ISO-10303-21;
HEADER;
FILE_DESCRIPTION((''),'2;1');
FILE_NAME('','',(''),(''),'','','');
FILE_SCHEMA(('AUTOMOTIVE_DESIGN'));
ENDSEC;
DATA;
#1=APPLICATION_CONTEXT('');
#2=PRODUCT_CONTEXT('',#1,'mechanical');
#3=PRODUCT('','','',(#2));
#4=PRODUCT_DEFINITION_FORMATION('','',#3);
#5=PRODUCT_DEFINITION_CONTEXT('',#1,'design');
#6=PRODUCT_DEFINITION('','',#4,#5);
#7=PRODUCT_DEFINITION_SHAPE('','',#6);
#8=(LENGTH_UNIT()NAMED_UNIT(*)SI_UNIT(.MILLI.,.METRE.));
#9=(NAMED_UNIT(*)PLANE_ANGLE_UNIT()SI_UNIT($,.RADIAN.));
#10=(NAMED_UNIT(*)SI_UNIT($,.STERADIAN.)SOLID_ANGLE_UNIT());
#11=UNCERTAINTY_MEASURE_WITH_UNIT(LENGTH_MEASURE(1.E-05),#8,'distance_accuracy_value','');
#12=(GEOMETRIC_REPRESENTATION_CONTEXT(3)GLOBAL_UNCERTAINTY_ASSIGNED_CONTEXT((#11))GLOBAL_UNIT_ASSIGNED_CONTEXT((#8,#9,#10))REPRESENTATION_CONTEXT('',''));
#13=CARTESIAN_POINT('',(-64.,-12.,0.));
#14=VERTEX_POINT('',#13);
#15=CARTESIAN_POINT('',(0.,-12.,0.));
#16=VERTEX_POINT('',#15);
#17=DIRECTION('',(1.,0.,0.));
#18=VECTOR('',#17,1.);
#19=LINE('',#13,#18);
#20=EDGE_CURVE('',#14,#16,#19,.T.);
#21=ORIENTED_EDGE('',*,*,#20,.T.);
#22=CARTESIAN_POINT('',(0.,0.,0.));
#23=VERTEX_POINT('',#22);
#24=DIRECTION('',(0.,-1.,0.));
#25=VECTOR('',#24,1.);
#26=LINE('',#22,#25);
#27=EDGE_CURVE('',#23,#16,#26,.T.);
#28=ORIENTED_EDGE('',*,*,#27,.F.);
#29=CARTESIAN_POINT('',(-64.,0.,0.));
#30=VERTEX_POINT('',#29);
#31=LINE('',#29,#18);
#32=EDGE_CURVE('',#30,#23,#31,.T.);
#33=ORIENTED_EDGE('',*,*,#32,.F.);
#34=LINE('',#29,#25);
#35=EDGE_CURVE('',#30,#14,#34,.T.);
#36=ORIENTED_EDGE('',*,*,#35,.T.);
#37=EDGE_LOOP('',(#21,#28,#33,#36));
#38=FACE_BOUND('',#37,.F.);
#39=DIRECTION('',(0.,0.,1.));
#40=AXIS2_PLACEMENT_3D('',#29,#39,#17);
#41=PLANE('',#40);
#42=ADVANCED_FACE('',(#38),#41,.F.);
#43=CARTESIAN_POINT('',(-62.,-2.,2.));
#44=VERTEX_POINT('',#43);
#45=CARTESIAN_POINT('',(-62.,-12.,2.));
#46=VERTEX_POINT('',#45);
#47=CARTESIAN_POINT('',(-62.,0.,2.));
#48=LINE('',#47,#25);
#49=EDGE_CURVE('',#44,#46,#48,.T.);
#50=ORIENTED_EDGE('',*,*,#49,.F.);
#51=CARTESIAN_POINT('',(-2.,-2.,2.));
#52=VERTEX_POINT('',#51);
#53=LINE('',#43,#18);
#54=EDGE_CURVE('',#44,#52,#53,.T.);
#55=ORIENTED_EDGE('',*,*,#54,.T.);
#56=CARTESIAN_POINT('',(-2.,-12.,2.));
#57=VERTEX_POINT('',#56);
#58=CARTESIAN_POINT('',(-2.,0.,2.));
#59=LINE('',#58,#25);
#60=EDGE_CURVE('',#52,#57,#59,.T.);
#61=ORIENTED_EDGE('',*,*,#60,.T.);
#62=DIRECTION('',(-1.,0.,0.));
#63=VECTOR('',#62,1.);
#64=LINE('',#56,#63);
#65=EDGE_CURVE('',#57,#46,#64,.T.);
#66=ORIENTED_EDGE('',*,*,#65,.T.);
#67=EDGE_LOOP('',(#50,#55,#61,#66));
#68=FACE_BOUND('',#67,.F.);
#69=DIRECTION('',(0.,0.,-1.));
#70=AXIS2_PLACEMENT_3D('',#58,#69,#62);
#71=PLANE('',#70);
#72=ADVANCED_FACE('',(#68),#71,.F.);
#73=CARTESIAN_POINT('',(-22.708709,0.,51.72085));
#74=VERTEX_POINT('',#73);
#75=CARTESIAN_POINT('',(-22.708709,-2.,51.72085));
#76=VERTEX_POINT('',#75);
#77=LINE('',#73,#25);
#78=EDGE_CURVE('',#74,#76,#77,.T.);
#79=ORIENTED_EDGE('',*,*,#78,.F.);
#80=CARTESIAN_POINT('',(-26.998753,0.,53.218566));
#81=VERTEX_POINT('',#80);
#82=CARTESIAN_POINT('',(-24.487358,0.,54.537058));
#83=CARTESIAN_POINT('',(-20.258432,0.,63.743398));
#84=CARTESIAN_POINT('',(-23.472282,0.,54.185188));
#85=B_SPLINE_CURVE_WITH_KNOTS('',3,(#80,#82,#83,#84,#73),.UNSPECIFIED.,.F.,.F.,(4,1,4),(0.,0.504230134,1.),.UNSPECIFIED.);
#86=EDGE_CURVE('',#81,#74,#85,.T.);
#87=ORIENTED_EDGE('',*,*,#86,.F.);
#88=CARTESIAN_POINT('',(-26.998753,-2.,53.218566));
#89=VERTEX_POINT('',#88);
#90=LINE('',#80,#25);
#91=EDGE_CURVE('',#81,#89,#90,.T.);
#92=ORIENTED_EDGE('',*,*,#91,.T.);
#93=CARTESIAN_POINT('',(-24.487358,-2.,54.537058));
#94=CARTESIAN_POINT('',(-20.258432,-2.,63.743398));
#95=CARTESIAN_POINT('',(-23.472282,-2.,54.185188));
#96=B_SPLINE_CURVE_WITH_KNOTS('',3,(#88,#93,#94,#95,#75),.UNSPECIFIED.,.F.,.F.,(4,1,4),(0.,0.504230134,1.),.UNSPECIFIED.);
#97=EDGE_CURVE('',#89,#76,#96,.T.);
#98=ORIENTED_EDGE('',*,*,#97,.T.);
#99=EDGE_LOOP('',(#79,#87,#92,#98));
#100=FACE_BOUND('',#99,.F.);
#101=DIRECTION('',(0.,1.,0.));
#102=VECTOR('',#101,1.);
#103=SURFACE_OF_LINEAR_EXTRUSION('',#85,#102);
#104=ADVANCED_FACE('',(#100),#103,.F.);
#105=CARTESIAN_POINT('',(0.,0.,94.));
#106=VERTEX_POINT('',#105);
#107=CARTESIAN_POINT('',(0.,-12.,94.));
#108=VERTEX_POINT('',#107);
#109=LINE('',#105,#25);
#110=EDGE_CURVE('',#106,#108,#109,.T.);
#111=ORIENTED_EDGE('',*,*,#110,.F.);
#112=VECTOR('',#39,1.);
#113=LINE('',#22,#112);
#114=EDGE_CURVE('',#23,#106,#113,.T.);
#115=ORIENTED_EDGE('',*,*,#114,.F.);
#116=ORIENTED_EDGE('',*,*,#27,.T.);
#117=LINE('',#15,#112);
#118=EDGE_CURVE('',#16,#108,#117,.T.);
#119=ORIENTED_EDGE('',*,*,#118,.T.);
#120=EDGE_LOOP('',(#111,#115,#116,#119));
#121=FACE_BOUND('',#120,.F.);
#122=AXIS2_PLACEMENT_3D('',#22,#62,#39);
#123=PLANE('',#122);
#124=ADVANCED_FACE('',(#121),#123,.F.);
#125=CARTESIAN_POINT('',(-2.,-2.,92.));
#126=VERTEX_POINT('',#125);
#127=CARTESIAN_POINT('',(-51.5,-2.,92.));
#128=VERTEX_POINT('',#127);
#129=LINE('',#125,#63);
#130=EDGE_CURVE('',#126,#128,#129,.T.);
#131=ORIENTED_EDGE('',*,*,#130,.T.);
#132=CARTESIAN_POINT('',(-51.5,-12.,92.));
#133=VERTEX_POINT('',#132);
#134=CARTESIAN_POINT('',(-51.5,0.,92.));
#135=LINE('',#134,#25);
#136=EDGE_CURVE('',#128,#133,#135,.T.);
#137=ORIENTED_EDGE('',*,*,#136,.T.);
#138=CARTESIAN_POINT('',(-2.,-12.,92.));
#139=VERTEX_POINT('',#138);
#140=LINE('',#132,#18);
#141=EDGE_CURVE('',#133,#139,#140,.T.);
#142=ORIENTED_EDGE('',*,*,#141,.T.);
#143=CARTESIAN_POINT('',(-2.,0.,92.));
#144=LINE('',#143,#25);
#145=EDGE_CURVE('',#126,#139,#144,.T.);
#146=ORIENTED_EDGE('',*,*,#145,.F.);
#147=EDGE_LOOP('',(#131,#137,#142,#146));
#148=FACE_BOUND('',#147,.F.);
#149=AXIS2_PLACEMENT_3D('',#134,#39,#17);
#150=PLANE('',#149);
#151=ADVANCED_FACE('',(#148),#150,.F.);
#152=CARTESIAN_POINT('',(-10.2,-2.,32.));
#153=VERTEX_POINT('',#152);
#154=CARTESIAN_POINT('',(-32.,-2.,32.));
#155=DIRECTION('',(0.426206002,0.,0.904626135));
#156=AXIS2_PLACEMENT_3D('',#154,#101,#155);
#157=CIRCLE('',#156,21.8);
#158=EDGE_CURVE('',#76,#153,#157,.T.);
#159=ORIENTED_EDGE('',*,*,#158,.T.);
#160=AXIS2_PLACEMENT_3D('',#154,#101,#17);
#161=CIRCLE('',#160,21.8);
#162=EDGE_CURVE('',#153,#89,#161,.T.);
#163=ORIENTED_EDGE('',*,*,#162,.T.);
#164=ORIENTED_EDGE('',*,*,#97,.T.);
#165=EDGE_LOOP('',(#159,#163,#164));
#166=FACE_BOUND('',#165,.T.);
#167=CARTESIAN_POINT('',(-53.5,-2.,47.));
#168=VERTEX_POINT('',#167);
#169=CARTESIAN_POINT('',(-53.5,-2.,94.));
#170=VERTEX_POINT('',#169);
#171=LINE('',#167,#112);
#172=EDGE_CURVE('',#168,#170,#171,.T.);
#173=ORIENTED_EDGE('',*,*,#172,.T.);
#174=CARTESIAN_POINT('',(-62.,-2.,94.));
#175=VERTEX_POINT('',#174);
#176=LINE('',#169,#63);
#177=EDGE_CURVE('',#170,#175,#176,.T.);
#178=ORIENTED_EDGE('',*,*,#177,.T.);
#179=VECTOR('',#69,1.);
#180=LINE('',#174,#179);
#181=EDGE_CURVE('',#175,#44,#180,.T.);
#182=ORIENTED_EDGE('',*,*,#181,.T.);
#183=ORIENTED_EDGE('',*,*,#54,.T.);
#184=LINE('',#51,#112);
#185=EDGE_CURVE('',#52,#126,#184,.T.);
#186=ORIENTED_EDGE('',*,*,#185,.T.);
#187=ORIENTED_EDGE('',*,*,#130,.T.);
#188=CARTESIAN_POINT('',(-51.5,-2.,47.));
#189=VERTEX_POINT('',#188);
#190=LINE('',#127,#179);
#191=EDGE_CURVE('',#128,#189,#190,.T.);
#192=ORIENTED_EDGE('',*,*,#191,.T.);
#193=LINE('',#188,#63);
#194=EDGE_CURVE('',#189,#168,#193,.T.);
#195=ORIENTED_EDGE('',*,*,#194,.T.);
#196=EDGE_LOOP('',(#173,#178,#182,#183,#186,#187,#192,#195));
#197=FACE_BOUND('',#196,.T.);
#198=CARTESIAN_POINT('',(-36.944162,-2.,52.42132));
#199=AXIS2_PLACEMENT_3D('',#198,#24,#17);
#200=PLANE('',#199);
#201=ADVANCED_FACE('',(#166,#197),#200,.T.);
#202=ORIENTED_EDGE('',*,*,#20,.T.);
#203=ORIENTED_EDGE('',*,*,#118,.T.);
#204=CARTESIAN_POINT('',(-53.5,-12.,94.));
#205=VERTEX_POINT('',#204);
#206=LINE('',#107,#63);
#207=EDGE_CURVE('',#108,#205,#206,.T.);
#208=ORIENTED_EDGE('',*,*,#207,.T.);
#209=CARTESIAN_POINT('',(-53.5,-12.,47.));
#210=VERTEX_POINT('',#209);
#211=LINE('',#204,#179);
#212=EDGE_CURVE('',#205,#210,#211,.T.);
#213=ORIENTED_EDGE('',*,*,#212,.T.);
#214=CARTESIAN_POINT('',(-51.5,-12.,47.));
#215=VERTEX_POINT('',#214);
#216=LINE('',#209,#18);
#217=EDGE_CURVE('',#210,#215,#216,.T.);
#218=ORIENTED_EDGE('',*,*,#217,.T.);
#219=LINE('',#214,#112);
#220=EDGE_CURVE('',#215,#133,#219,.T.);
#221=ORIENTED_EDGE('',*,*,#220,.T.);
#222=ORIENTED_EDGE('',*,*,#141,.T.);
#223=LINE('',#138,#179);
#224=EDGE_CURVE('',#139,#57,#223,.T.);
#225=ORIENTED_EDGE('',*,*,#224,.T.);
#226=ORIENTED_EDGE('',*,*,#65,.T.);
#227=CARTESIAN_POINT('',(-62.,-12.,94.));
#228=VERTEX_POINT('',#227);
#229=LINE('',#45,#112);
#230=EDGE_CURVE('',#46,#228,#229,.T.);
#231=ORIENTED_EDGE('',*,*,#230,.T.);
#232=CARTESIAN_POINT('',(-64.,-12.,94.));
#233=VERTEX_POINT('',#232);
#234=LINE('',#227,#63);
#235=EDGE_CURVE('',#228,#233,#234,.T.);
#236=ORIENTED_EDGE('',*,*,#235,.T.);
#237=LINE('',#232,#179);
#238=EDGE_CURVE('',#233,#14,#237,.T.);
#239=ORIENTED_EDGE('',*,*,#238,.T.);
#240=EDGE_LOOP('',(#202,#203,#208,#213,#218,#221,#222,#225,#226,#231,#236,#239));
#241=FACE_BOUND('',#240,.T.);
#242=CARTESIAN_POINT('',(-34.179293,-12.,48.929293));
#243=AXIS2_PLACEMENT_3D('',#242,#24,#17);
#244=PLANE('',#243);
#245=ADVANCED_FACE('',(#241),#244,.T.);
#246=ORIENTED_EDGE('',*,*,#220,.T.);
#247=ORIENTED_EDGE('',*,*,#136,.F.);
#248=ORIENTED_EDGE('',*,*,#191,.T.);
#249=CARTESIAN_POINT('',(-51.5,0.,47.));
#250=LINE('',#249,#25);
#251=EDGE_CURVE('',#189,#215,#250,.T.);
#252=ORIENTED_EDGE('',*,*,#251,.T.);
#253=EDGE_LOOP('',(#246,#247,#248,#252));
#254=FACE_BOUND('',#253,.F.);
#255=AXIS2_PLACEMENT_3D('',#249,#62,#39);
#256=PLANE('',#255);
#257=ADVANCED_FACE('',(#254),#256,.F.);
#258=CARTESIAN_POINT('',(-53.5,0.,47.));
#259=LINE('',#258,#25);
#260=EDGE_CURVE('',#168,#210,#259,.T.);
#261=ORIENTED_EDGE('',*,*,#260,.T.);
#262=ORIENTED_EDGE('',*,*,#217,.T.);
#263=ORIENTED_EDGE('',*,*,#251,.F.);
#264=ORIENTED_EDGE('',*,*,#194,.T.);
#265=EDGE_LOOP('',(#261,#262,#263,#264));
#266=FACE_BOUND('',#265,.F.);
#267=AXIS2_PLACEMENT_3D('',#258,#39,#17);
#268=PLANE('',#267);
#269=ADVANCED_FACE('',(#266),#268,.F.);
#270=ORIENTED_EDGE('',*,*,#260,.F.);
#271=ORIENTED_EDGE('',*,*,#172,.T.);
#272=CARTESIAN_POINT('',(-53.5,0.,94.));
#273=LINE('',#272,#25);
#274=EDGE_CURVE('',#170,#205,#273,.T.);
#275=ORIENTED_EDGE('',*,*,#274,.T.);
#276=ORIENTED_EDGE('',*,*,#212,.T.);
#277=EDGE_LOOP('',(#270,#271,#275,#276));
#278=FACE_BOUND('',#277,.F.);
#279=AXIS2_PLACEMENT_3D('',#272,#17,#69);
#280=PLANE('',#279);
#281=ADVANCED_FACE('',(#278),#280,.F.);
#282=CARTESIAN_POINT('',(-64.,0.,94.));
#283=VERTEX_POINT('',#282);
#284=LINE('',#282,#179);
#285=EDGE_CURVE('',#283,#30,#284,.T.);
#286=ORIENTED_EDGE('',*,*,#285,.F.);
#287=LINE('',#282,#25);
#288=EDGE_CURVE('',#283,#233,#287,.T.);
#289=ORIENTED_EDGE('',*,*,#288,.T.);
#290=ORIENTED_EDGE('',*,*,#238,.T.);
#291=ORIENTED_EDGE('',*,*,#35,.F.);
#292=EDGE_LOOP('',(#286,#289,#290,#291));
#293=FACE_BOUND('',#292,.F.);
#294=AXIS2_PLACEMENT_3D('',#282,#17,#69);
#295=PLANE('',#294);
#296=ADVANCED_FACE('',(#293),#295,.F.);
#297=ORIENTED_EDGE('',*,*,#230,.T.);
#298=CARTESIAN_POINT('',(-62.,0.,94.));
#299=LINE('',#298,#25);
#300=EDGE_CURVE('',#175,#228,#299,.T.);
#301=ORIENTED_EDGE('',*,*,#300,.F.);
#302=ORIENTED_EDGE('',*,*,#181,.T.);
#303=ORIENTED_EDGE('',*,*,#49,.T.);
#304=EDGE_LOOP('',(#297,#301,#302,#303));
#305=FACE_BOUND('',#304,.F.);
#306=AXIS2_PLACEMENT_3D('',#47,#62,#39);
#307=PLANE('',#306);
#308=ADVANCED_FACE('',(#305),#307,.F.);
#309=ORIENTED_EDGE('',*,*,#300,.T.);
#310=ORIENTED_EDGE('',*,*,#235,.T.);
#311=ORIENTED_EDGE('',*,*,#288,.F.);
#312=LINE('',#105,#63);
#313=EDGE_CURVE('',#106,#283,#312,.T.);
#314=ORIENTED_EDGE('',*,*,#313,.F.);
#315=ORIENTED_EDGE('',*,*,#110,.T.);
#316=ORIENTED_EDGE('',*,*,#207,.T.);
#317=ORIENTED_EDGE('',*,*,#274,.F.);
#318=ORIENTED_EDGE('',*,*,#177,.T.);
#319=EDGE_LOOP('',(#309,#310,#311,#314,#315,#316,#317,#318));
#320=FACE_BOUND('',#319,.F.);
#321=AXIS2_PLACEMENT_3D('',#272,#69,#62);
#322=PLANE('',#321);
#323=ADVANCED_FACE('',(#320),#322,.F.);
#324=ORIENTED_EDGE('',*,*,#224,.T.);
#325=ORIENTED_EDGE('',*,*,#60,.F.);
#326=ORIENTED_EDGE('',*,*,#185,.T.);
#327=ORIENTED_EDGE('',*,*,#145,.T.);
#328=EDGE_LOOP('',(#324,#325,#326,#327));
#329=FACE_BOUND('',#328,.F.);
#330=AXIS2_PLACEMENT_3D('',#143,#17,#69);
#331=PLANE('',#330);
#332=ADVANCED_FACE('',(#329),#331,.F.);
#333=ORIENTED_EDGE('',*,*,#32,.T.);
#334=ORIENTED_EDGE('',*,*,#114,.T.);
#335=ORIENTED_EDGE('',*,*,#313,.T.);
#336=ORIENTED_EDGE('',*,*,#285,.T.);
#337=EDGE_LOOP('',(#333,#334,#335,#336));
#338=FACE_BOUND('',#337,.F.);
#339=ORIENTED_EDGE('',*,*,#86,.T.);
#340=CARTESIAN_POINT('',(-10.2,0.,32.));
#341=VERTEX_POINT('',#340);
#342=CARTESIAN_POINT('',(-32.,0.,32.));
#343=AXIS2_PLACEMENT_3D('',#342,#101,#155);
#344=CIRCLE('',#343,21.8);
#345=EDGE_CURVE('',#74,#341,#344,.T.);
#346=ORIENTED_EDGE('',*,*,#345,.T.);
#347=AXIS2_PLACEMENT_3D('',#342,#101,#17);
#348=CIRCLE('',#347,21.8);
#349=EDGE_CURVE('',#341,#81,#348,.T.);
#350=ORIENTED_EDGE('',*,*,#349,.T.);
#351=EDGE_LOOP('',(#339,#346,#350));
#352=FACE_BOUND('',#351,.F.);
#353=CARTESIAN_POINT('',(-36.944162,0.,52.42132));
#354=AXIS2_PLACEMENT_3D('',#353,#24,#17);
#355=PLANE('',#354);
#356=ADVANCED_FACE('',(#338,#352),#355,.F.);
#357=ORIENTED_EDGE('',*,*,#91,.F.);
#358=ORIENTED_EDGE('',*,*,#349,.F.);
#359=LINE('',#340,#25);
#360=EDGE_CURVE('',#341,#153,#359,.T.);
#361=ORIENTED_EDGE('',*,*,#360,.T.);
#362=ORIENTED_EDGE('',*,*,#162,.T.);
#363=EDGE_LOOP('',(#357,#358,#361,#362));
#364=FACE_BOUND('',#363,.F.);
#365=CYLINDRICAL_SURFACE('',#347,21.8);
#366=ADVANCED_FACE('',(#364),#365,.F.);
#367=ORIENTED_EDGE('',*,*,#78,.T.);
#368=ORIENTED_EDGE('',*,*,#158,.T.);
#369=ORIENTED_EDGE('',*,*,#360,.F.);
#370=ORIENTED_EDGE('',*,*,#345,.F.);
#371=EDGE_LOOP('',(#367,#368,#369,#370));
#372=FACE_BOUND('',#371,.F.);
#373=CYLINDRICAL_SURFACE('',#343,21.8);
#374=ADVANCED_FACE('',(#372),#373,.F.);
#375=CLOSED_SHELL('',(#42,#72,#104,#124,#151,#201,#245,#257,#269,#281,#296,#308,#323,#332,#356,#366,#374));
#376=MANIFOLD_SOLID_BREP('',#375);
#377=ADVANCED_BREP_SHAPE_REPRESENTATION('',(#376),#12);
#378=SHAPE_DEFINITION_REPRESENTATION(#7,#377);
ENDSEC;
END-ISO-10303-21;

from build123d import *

# Parameters (mm, degrees)
F1_DEPTH = 2
F2_DEPTH = 12


with BuildPart() as f1:
    # F0 (on Front) → F1 (new body)
    with BuildSketch(Plane.XZ):
        Polygon((-2, 92), (-51.5, 92), (-51.5, 47), (-53.5, 47), (-53.5, 92), (-53.5, 94), (-62, 94), (-62, 92), (-62, 2), (-2, 2), align=None)
        with BuildLine():
            ThreePointArc((-22.7087091552, 51.7208497392), (-13.590897083, 43.6766831674), (-10.2, 32))
            ThreePointArc((-10.2, 32), (-49.0919159647, 18.468318336), (-26.9987530877, 53.2185656754))
            add(Edge.make_bspline(
                [(-26.9987530877, 53.2185656754), (-24.4873575866, 54.5370578766), (-20.2584321024, 63.7433975521), (-23.4722821766, 54.1851879817), (-22.7087091552, 51.7208497392)],
                knots=[0, 0, 0, 0, 0.5042301337, 1, 1, 1, 1], degree=3))
        make_face(mode=Mode.SUBTRACT)
    extrude(amount=F1_DEPTH)

    # F0 (on Front) → F2 (join)
    with BuildSketch(Plane.XZ):
        Polygon((-51.5, 47), (-51.5, 92), (-2, 92), (-2, 2), (-62, 2), (-62, 92), (-62, 94), (-64, 94), (-64, 0), (0, 0), (0, 94), (-53.5, 94), (-53.5, 92), (-53.5, 47), align=None)
    extrude(amount=F2_DEPTH)


solid = f1.part
